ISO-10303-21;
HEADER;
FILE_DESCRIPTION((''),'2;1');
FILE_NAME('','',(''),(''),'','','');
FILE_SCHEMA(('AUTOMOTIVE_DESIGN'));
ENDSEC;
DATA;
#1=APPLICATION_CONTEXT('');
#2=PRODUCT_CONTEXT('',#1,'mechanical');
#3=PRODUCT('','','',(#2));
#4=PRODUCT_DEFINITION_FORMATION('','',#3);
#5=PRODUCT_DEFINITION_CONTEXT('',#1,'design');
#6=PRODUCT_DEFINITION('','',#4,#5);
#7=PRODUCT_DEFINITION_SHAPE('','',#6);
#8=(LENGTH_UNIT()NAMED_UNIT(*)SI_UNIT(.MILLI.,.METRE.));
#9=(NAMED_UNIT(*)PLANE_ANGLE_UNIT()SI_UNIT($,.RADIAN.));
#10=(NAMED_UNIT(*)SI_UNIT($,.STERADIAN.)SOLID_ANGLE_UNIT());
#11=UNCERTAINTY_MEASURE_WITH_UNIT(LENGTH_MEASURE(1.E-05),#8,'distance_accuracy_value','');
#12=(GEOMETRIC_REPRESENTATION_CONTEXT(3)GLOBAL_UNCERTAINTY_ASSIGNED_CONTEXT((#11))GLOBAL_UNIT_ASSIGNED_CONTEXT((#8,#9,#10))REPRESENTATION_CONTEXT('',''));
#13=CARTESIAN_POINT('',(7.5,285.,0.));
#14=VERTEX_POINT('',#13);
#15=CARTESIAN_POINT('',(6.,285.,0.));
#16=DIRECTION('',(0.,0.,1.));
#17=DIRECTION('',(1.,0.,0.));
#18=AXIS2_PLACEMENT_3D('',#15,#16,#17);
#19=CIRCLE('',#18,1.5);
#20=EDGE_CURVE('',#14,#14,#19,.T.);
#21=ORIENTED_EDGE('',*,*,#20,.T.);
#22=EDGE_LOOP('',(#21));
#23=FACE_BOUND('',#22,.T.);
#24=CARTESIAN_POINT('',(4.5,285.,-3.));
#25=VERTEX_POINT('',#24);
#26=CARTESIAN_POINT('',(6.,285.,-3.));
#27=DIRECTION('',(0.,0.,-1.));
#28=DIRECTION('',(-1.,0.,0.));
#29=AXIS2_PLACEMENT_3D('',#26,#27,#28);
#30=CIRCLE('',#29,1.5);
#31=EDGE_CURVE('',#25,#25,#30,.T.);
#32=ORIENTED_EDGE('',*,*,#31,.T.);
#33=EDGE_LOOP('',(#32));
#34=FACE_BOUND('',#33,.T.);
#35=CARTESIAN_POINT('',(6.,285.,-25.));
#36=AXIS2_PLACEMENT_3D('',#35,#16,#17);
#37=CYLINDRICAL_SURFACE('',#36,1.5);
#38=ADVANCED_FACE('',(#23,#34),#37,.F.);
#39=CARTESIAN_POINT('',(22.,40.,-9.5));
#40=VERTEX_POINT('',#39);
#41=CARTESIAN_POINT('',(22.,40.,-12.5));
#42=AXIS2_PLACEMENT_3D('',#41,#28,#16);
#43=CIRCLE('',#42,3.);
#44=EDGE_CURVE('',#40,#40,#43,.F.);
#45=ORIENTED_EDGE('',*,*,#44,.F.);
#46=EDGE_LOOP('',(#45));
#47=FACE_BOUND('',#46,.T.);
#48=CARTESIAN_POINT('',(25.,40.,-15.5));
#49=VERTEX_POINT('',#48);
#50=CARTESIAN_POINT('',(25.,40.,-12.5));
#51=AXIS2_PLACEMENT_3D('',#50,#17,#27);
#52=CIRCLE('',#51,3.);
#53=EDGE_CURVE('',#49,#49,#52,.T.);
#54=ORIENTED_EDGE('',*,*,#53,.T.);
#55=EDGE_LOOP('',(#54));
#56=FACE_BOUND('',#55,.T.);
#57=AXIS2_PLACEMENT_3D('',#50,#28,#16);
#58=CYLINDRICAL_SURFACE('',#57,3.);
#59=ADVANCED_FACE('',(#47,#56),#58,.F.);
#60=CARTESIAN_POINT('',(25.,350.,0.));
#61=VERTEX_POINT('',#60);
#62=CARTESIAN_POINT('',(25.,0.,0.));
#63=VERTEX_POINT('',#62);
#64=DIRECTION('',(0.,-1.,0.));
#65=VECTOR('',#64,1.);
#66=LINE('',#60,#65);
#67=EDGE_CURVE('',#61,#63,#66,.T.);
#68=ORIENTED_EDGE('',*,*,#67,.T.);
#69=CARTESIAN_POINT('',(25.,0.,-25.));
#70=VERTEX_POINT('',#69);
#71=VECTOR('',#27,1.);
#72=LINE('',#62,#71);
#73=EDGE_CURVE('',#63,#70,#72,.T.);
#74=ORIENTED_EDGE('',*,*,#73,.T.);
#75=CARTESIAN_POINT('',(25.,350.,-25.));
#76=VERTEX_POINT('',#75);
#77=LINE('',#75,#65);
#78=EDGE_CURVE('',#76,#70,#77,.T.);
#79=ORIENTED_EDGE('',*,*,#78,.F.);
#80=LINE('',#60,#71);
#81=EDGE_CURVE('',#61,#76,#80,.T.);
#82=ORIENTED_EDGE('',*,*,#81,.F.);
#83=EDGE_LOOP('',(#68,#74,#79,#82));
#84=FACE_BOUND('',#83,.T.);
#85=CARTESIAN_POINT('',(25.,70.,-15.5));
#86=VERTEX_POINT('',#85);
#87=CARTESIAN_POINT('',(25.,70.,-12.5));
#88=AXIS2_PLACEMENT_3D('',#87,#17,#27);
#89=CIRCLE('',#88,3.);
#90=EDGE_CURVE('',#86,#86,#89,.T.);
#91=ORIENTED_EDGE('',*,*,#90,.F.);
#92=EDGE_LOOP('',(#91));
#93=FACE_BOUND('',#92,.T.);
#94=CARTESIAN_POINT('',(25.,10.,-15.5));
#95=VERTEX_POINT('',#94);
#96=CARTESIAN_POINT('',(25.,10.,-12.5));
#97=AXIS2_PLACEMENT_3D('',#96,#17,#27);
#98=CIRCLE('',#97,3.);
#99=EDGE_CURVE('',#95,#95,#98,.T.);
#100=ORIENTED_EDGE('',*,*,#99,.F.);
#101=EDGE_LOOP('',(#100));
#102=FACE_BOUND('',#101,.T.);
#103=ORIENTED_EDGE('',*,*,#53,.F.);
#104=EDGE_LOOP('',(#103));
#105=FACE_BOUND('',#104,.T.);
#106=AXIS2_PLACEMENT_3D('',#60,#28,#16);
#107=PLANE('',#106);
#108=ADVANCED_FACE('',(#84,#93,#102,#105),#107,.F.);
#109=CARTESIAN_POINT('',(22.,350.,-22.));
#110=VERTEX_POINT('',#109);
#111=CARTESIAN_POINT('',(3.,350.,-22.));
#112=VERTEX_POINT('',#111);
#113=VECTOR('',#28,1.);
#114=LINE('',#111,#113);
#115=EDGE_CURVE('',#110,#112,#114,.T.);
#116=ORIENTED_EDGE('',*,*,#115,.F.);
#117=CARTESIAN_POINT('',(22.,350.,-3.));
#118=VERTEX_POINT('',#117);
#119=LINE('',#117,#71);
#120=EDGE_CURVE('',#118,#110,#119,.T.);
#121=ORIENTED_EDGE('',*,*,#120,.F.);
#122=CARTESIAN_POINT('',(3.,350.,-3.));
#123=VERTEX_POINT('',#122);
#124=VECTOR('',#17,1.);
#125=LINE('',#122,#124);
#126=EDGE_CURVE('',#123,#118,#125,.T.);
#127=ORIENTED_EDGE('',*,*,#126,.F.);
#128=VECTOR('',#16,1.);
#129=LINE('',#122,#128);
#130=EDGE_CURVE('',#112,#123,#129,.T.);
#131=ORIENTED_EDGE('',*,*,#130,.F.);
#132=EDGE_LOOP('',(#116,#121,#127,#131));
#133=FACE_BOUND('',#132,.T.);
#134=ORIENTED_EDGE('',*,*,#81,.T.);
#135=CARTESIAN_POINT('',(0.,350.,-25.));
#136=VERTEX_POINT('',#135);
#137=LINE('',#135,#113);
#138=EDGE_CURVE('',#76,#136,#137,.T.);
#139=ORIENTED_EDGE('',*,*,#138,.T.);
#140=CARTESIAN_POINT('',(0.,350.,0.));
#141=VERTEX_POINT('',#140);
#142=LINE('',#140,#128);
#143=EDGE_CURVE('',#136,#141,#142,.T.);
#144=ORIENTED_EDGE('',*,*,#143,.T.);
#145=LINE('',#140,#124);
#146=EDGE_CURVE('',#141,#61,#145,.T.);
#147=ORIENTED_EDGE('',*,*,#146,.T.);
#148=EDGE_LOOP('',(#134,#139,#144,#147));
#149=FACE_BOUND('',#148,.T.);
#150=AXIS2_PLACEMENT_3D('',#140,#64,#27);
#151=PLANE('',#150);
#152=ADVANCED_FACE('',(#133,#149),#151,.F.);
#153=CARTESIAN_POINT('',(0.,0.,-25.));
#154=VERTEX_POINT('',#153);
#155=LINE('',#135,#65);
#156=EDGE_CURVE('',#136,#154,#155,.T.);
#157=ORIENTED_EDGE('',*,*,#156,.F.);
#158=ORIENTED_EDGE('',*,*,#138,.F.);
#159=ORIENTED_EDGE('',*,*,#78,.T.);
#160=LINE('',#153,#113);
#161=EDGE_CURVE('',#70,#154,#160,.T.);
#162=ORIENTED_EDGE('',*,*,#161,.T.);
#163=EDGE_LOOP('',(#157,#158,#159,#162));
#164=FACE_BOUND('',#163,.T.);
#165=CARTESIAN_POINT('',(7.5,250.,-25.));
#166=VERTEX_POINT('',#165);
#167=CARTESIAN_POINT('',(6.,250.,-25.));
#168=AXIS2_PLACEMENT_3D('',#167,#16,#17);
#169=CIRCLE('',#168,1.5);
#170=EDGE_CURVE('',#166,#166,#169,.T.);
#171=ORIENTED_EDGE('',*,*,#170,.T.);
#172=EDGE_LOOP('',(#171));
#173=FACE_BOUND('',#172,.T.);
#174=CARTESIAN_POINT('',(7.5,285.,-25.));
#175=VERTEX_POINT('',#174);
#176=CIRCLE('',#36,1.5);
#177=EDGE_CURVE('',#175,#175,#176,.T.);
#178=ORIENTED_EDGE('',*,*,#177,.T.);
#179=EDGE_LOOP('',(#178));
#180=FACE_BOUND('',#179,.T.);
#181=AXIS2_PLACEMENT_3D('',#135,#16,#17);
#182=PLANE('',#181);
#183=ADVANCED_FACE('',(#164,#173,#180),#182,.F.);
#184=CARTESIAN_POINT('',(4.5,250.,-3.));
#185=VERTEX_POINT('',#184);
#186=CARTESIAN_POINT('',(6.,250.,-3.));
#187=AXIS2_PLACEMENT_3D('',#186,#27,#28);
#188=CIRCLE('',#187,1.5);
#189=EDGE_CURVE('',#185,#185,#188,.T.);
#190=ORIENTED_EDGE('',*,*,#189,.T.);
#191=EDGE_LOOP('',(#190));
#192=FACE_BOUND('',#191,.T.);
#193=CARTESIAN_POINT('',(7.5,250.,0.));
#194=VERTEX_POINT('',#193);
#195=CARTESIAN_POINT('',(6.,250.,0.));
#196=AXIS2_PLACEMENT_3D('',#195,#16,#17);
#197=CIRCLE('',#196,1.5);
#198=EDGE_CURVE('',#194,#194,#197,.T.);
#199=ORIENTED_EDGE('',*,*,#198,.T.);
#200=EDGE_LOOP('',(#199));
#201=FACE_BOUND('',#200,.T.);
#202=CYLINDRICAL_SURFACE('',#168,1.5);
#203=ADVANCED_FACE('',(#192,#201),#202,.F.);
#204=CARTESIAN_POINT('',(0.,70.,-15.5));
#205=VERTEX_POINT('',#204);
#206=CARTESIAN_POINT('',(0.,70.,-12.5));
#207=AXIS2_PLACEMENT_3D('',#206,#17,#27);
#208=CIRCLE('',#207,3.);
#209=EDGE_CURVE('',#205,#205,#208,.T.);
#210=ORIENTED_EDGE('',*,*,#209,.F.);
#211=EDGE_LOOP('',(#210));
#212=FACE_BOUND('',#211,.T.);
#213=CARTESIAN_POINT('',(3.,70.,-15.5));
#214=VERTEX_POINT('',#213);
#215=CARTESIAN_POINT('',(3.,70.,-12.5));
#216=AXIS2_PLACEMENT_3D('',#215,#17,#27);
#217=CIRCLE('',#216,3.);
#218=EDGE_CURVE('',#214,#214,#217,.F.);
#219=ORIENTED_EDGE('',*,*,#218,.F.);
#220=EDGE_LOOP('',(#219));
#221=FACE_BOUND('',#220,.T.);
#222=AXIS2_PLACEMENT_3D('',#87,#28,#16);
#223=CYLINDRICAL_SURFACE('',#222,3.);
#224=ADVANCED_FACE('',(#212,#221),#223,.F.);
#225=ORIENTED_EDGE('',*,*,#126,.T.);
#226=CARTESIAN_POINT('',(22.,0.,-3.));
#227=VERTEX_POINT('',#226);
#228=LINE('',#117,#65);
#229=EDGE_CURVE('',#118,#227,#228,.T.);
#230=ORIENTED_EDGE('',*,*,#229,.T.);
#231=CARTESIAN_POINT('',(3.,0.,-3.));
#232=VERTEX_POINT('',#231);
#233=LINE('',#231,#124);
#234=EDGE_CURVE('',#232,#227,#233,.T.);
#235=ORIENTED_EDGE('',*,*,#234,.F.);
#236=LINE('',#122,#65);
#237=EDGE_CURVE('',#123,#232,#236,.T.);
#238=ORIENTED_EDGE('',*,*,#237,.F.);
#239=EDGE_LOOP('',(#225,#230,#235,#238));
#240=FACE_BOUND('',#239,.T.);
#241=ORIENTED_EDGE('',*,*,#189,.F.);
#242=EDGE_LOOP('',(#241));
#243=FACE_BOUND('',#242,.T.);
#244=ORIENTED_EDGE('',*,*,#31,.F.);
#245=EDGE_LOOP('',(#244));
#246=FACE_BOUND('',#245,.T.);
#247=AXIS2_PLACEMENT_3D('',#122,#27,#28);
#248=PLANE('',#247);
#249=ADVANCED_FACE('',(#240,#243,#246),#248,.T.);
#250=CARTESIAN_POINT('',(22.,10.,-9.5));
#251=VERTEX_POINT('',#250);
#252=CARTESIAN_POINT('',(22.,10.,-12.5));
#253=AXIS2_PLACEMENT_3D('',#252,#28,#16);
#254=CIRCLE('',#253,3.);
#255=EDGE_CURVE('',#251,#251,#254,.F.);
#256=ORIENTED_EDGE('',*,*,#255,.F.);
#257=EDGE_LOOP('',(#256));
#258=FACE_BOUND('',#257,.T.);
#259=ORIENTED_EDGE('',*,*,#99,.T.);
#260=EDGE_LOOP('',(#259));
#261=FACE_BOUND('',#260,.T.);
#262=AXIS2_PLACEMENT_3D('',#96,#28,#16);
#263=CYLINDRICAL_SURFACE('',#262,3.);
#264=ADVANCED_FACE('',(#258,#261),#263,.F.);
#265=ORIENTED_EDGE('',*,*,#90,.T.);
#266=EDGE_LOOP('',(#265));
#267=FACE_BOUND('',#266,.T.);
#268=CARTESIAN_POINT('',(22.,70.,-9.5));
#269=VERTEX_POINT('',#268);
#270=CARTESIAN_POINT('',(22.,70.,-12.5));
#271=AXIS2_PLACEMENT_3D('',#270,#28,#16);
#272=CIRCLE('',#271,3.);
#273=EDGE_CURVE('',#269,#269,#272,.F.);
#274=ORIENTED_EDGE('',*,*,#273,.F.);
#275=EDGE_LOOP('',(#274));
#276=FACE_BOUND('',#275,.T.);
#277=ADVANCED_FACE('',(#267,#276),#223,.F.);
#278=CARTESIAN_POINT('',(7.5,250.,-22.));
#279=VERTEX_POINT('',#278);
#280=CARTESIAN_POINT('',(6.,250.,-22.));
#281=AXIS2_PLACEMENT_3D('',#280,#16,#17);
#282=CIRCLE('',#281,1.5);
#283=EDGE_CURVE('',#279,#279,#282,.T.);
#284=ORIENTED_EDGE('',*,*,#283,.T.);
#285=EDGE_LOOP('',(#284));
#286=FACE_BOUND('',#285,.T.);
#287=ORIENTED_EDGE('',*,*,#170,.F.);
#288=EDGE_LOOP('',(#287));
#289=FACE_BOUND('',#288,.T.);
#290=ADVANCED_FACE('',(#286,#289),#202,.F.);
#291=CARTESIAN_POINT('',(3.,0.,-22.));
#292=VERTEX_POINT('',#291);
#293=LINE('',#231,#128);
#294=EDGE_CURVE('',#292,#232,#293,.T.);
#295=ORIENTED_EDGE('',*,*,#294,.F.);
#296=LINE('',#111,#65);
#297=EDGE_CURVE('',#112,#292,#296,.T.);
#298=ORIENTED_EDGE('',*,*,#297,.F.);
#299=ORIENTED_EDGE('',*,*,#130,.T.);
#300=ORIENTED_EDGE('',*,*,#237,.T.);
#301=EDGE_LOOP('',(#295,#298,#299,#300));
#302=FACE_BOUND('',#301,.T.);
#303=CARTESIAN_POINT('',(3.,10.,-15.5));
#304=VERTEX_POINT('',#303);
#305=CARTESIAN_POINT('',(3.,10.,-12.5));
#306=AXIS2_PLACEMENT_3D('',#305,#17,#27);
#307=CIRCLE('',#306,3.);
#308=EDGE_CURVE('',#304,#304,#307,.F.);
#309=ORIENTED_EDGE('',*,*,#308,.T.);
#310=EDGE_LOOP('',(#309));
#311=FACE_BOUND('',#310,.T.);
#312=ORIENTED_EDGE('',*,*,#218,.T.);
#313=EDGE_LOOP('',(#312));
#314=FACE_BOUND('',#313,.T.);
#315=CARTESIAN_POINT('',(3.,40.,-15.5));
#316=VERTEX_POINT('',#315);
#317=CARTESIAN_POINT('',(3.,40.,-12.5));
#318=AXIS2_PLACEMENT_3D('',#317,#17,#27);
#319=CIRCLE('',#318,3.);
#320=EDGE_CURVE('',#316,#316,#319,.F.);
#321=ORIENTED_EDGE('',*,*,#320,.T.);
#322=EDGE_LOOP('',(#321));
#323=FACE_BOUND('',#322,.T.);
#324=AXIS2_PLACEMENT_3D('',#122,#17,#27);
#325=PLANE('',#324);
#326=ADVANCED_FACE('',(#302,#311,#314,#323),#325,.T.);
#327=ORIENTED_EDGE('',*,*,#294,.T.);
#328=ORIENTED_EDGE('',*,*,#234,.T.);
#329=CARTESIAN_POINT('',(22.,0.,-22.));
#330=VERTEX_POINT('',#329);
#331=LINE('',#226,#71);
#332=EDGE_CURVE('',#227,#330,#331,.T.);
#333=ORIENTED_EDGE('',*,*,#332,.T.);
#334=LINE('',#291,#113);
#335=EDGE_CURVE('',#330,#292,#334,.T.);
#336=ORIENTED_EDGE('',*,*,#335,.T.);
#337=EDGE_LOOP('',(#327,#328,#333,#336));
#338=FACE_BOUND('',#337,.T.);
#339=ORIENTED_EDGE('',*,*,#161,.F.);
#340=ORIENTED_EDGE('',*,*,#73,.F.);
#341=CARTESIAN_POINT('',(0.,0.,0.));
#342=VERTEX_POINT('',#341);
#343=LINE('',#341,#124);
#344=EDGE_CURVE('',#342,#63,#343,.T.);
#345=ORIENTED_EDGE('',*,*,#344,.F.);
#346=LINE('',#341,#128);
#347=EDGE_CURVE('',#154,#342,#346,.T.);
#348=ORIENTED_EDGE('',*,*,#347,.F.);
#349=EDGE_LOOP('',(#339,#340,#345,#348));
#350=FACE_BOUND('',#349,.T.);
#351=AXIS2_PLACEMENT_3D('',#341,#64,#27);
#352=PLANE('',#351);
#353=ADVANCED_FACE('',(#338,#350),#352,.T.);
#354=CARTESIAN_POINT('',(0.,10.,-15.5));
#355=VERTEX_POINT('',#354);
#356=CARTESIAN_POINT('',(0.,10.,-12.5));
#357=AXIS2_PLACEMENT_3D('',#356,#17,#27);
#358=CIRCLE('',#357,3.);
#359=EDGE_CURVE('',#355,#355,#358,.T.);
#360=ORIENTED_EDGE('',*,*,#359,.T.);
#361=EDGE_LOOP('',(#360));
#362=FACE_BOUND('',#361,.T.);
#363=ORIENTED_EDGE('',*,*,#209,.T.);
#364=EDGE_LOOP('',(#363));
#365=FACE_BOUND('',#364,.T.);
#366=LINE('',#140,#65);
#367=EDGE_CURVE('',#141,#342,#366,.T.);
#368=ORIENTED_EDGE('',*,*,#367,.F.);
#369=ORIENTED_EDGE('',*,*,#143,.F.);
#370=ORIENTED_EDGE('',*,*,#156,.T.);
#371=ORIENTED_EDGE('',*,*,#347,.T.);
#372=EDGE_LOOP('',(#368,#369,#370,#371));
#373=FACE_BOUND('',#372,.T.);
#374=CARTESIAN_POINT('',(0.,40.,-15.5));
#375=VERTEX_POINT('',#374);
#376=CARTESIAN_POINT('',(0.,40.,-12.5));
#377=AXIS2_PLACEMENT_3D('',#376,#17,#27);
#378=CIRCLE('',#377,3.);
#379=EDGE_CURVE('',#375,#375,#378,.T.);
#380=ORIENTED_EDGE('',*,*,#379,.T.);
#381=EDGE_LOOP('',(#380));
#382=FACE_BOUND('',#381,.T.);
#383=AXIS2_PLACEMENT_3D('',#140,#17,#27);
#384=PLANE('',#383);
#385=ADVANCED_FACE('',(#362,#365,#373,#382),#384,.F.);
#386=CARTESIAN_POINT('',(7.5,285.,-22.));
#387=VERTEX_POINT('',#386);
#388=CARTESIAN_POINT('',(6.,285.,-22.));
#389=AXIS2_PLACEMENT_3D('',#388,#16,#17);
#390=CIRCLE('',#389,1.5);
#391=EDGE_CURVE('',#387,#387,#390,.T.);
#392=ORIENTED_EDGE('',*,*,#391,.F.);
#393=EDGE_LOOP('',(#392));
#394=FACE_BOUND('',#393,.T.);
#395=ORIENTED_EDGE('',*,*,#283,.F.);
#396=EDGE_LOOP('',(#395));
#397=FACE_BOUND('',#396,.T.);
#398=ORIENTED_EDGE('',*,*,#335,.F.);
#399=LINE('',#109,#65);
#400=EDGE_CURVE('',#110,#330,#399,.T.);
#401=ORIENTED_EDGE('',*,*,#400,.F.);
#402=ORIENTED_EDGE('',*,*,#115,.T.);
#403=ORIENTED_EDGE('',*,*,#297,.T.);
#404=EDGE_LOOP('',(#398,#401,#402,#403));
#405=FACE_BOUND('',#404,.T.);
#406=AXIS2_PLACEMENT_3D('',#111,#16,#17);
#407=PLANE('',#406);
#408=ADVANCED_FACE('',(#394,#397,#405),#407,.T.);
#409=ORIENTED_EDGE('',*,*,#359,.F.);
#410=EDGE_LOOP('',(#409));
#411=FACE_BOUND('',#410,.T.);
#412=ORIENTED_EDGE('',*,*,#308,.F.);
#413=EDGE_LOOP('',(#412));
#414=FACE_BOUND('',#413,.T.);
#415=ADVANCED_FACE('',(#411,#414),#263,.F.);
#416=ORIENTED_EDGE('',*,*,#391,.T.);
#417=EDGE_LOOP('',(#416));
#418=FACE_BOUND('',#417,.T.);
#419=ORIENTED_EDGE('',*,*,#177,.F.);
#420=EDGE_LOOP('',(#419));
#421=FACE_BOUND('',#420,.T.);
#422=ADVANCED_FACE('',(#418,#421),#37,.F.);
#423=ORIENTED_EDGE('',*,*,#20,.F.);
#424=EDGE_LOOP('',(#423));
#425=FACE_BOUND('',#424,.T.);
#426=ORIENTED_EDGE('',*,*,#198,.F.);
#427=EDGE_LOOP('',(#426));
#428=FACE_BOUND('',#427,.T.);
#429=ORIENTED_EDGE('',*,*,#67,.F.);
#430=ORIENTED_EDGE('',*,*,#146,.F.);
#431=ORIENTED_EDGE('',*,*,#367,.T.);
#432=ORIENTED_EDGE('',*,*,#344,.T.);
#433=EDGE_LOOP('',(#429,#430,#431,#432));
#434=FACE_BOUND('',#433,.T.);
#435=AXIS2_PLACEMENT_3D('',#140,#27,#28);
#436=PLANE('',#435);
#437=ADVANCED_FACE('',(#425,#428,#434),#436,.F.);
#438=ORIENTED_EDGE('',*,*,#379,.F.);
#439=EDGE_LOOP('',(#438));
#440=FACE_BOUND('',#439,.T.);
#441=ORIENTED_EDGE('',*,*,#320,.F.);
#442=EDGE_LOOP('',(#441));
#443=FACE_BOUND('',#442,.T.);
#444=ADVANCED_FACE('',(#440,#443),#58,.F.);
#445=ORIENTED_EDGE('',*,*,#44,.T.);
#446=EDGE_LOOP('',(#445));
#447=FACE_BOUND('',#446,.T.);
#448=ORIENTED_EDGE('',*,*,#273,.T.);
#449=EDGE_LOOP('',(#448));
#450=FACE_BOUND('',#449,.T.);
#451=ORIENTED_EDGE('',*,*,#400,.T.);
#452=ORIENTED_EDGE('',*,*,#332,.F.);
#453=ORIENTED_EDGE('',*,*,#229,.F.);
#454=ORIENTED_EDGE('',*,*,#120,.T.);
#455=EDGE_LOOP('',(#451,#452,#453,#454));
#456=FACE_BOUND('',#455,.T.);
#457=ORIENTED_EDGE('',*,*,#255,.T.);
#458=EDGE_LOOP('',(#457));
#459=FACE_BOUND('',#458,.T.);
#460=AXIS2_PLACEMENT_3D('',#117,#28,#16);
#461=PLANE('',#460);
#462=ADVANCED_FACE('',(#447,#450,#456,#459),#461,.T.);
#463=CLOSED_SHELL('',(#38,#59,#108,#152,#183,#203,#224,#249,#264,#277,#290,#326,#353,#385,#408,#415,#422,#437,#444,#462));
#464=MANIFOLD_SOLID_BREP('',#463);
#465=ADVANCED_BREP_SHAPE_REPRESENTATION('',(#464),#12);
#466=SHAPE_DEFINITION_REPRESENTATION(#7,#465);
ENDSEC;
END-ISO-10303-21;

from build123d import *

# Parameters (mm, degrees)
SKETCH_1_W               = 25
SKETCH_1_H               = 25
SKETCH_1_W_2             = 19
SKETCH_1_H_2             = 19
EXTRUDE_1_DEPTH          = 350
SKETCH_2_R               = 3
CUT_EXTRUDE_1_DEPTH      = 352.781181987
CUT_EXTRUDE_2_DEPTH      = 352.781181987
CUT_EXTRUDE_2_DEPTH_BACK = 352.781181987
SKETCH_3_R               = 1.5


with BuildPart() as part:
    # 草图1 → 凸台-拉伸1 (new body)
    with BuildSketch(Plane(origin=(0, 0, 0), x_dir=(1, 0, 0), z_dir=(0, 1, 0))):
        with Locations((12.5, 12.5)):
            Rectangle(SKETCH_1_W, SKETCH_1_H)
        with Locations((12.5, 12.5)):
            Rectangle(SKETCH_1_W_2, SKETCH_1_H_2, mode=Mode.SUBTRACT)
    extrude(amount=EXTRUDE_1_DEPTH)

    # 草图2 → 切除-拉伸1 (cut, through all)
    with BuildSketch(Plane(origin=(0, 0, 0), x_dir=(0, 0, -1), z_dir=(1, 0, 0))):
        with Locations(Location((12.5, 10, 0), (0, 0, 180))):
            Circle(SKETCH_2_R)
        with Locations(Location((12.5, 40, 0), (0, 0, 180))):
            Circle(SKETCH_2_R)
        with Locations(Location((12.5, 70, 0), (0, 0, 180))):
            Circle(SKETCH_2_R)
    extrude(amount=CUT_EXTRUDE_1_DEPTH, mode=Mode.SUBTRACT)

    # 草图3 → 切除-拉伸2 (cut, two sides: drawn at the far end of the back side and taken through both)
    with BuildSketch(Plane.XY.offset(-CUT_EXTRUDE_2_DEPTH_BACK)):
        with Locations((6, 250)):
            Circle(SKETCH_3_R)
        with Locations((6, 285)):
            Circle(SKETCH_3_R)
    extrude(amount=CUT_EXTRUDE_2_DEPTH + CUT_EXTRUDE_2_DEPTH_BACK, mode=Mode.SUBTRACT)


solid = part.part
